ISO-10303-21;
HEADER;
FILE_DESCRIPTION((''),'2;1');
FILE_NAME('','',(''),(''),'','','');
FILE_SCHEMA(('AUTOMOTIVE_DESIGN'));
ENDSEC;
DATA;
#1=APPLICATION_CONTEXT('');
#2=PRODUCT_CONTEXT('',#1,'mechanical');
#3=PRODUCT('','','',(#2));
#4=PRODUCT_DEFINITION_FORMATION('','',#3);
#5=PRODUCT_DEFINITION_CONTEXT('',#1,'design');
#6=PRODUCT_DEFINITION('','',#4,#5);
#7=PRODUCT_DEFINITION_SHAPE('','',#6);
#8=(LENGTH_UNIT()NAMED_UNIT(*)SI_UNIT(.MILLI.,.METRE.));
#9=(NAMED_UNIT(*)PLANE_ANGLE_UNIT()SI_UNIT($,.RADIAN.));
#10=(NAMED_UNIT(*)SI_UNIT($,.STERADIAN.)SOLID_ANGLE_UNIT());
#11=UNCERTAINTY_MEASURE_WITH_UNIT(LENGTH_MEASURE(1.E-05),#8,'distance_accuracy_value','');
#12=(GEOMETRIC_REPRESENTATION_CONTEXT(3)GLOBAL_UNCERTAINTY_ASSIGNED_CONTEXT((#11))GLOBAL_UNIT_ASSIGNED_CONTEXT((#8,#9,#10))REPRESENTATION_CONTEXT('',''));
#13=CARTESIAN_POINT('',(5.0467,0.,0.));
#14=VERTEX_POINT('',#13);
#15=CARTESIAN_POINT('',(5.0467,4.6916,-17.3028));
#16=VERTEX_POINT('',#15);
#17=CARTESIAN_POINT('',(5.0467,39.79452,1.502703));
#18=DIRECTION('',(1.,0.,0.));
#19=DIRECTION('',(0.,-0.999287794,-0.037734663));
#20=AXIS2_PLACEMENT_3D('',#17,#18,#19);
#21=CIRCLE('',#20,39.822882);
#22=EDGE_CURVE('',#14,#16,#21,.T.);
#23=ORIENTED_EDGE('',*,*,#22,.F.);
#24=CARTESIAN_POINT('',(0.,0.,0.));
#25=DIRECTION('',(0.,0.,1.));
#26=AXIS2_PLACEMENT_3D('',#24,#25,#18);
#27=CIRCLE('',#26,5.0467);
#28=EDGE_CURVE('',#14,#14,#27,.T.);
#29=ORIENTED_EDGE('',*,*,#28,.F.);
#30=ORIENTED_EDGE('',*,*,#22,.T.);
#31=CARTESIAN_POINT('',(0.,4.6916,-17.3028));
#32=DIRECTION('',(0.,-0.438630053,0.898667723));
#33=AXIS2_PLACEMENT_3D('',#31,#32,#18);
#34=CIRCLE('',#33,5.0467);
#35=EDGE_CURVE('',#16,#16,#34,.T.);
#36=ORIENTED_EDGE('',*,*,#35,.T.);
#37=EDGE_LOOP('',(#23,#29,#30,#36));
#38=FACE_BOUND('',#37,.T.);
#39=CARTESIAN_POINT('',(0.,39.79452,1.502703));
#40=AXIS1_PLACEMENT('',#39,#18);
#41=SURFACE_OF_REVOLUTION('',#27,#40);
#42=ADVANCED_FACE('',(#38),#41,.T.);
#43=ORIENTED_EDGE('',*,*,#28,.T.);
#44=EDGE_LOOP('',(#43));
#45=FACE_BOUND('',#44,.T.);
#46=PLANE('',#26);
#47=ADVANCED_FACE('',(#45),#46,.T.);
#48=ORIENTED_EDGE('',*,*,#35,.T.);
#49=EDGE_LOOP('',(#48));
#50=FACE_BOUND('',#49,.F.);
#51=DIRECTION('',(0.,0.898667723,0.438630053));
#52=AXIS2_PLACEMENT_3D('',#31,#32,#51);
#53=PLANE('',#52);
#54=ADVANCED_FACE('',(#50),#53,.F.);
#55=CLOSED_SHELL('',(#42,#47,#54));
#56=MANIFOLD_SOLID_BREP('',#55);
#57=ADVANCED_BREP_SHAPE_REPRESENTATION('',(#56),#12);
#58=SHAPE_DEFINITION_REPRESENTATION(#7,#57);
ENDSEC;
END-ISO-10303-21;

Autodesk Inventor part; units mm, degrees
ref_plane "YZ Plane" through (0, 0, 0) normal (1, 0, 0) x (0, 1, 0)
ref_plane "XZ Plane" through (0, 0, 0) normal (0, 1, 0) x (-1, 0, 0)
ref_plane "XY Plane" through (0, 0, 0) normal (0, 0, 1) x (1, 0, 0)
sketch "Sketch2" plane through (0, 0, 0) normal (0, 0, 1) x (1, 0, 0)
  circle A0 centre (0, 0) radius 5.0467
sketch "Sketch3" plane through (0, 0, 0) normal (1, 0, 0) x (0, 1, 0)
  arc A0 (0, 0) -> (4.6916, -17.3028) centre (39.7945, 1.5027) ccw
sweep "Sweep1" add profiles "Sketch2" path "Sketch3"
properties part number "peca_009_001"
